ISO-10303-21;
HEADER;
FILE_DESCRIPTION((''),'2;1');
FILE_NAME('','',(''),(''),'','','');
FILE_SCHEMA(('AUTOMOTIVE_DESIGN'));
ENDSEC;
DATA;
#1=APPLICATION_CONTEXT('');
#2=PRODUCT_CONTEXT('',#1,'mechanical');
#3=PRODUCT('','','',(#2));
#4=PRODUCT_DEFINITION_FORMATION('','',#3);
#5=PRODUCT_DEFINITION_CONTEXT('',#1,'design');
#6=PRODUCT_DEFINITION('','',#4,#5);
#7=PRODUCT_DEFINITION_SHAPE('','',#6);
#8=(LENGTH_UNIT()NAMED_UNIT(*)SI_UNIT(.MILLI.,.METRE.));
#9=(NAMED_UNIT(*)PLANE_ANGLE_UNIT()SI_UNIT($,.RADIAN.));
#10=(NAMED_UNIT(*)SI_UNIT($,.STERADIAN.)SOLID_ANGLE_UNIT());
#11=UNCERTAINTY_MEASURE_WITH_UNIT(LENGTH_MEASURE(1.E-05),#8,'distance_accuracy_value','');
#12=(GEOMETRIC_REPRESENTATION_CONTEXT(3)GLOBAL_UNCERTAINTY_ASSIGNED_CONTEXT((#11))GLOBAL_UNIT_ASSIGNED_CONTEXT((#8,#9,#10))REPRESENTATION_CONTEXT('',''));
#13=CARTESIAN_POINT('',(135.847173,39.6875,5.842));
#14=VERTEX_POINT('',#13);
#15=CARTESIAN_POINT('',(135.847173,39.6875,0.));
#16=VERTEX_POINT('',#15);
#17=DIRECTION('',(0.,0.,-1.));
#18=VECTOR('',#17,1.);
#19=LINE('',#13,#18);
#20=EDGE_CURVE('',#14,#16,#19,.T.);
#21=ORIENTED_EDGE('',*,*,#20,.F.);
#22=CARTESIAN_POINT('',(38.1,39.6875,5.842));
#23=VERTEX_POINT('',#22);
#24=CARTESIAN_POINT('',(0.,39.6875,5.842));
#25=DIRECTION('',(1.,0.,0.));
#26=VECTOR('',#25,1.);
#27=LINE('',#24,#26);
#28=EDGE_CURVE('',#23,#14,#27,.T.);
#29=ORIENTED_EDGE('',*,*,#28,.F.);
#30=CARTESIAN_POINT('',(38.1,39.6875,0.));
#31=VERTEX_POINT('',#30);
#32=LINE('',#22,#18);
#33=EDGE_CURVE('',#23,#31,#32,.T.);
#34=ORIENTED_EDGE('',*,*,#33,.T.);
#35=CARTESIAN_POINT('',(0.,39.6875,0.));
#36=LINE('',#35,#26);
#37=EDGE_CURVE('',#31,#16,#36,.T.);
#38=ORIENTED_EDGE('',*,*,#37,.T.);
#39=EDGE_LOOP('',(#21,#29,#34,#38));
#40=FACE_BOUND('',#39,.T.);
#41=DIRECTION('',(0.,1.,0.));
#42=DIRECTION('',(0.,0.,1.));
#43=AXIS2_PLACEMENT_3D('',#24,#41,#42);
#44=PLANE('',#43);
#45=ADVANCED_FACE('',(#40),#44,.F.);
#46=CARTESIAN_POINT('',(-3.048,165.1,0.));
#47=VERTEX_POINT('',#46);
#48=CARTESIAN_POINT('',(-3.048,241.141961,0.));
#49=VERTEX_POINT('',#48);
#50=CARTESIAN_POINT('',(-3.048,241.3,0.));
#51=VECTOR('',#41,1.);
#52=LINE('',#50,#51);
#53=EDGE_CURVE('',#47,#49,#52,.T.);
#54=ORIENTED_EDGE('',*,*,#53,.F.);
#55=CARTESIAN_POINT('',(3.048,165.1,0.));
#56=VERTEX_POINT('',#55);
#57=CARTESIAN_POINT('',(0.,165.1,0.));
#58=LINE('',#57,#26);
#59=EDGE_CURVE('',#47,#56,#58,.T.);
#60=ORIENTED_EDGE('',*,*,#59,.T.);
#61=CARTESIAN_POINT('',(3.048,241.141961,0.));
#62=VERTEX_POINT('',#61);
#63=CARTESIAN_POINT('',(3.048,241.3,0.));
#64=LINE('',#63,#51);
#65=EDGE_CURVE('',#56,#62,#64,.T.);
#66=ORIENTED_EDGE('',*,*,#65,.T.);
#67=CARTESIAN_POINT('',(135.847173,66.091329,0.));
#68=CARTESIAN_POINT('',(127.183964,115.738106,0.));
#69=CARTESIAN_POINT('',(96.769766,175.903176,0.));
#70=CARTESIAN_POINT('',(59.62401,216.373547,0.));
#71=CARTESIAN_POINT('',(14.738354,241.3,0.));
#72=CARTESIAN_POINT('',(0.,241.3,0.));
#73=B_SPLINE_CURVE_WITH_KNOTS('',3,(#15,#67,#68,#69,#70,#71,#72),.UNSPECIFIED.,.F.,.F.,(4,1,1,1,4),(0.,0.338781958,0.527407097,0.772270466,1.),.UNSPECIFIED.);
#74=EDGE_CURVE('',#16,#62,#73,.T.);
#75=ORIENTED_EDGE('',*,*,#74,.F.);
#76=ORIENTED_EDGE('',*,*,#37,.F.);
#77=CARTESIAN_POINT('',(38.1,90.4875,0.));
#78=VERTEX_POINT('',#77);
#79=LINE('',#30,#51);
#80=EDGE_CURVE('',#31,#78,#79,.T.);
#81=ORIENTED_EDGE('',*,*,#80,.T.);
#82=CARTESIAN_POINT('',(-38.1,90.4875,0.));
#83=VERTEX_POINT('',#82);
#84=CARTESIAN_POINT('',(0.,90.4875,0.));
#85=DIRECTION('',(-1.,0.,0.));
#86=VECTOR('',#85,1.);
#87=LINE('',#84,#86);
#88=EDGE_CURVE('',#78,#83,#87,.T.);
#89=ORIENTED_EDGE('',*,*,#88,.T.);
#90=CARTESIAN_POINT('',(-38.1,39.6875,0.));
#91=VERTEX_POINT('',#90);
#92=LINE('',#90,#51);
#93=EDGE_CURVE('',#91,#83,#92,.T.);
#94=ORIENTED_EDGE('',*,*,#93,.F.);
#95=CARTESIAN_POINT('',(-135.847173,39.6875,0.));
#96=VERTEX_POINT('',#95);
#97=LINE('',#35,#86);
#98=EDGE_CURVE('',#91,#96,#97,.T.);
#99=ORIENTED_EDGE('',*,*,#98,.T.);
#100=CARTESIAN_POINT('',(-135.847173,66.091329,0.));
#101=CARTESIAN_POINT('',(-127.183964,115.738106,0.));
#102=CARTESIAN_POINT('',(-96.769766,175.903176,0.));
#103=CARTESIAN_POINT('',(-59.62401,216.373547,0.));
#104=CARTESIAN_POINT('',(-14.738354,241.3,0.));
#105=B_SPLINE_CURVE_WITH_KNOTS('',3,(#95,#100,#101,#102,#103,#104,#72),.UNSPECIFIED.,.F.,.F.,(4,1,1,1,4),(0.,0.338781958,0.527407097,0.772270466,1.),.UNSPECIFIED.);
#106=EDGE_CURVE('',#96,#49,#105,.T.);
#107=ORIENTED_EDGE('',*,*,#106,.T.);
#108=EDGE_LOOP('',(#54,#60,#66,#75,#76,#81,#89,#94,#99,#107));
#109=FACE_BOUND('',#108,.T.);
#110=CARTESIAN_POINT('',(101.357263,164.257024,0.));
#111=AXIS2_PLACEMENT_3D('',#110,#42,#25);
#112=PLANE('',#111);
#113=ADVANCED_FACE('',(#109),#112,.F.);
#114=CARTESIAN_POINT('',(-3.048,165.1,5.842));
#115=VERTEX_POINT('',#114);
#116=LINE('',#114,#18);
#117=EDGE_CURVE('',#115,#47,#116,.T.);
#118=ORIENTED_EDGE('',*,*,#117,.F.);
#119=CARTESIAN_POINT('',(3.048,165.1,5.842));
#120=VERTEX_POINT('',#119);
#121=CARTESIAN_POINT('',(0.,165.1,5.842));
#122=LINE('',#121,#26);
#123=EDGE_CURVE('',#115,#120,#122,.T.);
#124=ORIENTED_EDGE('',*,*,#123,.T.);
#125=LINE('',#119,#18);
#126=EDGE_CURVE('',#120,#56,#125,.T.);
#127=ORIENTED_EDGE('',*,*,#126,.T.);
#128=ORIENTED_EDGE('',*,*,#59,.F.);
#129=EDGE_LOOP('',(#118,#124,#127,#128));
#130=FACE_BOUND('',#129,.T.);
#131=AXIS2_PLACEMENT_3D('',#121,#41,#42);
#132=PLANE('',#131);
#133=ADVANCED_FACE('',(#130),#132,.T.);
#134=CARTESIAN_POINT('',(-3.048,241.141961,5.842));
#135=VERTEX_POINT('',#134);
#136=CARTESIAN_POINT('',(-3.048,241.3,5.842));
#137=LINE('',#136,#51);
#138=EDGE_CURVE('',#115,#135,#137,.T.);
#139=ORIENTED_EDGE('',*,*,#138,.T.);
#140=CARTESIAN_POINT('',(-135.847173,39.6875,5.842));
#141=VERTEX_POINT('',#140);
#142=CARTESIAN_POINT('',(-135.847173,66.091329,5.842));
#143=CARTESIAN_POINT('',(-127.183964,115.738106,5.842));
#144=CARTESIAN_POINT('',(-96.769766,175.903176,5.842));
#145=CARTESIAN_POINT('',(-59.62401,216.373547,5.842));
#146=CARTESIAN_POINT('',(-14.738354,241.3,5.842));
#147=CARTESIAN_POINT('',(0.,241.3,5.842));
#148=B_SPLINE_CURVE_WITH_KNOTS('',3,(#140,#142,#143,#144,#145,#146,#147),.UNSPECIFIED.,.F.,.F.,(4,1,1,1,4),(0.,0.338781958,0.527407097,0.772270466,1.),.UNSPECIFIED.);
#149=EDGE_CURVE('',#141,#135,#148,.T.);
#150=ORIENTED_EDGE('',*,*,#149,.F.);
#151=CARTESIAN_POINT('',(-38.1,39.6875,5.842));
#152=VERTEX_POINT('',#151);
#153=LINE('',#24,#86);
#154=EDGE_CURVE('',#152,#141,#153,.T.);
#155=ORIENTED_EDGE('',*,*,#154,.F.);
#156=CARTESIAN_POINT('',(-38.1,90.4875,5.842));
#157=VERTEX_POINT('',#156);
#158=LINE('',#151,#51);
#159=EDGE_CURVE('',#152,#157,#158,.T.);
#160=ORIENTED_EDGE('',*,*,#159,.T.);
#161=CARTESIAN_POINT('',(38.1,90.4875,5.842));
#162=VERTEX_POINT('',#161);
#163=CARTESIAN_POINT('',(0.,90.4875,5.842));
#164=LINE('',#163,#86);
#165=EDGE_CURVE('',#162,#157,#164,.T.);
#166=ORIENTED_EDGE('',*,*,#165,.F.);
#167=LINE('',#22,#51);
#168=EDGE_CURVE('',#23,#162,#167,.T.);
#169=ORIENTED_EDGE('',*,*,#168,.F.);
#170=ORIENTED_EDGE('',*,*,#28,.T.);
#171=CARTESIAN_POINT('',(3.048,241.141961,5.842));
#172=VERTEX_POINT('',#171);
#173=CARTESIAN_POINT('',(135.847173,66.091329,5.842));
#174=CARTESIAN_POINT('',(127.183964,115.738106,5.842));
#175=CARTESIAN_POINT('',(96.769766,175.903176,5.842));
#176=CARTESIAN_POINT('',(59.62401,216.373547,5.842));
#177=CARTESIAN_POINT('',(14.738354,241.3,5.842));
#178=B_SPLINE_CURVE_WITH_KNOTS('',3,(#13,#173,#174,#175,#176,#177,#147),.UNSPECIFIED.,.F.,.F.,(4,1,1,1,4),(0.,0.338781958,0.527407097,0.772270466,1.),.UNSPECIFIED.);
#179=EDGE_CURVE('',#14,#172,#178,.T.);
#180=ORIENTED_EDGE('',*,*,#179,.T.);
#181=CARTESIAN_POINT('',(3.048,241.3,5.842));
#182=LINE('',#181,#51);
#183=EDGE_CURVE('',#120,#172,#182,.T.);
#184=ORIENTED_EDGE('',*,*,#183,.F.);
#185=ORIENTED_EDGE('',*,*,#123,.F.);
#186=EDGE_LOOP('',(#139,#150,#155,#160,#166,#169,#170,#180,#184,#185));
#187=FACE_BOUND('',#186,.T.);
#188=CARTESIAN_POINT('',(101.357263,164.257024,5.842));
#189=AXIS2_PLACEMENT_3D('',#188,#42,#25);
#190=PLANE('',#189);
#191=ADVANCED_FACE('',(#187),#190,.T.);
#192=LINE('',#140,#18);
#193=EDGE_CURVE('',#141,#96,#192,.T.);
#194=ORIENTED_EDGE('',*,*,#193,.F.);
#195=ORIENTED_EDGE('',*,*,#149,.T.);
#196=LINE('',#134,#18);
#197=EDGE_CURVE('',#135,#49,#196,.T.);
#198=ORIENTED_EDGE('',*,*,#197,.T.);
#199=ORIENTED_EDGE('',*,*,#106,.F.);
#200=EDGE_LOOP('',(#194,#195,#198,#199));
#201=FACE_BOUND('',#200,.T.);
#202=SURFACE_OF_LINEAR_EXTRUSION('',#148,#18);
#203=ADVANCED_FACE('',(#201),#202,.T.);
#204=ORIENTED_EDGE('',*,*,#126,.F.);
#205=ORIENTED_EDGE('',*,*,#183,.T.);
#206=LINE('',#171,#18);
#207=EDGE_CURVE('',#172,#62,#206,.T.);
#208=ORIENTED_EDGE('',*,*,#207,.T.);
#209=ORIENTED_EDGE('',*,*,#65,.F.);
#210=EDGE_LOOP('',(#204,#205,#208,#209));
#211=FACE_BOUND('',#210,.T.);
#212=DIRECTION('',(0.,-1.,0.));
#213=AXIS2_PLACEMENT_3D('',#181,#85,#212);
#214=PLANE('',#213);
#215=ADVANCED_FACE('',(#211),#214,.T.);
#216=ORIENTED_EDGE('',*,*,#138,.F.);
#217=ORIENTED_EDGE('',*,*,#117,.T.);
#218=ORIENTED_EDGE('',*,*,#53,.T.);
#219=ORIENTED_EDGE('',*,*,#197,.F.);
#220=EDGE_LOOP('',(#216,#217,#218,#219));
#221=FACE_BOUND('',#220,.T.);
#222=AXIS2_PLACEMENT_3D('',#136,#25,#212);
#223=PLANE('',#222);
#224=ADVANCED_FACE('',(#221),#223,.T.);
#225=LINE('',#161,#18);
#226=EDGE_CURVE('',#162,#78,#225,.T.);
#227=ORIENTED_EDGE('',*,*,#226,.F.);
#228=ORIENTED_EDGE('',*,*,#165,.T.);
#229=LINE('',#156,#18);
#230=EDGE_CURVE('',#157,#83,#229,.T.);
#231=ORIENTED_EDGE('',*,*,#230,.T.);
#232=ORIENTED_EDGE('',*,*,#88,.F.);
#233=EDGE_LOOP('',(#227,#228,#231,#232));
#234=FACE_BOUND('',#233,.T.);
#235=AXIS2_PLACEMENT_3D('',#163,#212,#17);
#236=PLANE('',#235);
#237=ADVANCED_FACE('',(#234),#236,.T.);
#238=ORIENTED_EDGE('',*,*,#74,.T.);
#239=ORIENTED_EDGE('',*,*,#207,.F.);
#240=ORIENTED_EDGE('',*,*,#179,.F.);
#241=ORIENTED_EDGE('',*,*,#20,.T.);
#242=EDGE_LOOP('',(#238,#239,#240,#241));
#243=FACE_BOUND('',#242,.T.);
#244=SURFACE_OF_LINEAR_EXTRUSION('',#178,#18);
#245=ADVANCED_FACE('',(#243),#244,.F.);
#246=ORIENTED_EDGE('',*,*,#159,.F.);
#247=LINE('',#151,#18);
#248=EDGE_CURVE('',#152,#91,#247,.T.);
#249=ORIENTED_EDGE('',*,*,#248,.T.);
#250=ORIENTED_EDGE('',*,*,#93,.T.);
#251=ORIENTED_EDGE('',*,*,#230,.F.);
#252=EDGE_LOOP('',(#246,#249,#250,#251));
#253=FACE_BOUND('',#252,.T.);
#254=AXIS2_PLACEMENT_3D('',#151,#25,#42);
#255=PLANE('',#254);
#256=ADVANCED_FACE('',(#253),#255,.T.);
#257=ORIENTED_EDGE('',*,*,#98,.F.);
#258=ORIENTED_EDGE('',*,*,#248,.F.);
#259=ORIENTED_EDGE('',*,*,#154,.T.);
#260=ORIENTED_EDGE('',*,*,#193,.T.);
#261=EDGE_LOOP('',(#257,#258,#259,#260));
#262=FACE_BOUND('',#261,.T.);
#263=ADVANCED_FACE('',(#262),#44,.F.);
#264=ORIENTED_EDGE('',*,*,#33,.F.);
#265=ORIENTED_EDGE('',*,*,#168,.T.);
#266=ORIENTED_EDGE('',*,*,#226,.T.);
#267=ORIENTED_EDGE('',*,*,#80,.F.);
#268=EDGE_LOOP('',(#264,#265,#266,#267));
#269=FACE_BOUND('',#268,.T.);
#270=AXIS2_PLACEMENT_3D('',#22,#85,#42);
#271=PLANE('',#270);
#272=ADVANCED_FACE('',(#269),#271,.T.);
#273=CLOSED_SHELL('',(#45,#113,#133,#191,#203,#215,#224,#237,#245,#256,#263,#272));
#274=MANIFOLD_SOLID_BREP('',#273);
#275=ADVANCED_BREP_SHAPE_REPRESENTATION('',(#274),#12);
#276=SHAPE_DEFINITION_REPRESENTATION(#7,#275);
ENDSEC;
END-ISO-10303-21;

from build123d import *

# Parameters (mm, degrees)
BOSS_EXTRUDE1_DEPTH = 5.842
SKETCH4_W           = 38.1
SKETCH4_H           = 50.8
SKETCH4_W_2         = 3.048
SKETCH4_H_2         = 76.2
CUT_EXTRUDE2_DEPTH  = 277.973416612


with BuildPart() as part:
    # Sketch3 → Boss-Extrude1 (new body)
    with BuildSketch(Plane.XY):
        with BuildLine():
            Line((0, 241.3), (0, 39.6875))
            Line((0, 39.6875), (135.847173209, 39.6875))
            add(Edge.make_bspline(
                [(0, 241.3), (14.73835438, 241.3), (59.624010151, 216.373546587), (96.769766419, 175.903175742), (127.183964056, 115.738105555), (135.847173209, 66.091328973), (135.847173209, 39.6875)],
                knots=[0, 0, 0, 0, 0.227729534, 0.472592903, 0.661218042, 1, 1, 1, 1], degree=3))
        make_face()
    extrude(amount=BOSS_EXTRUDE1_DEPTH)

    # Sketch4 → Cut-Extrude2 (cut, through all)
    with BuildSketch(Plane.XY):
        with Locations((19.05, 65.0875)):
            Rectangle(SKETCH4_W, SKETCH4_H)
        with Locations((1.524, 203.2)):
            Rectangle(SKETCH4_W_2, SKETCH4_H_2)
    extrude(amount=CUT_EXTRUDE2_DEPTH, mode=Mode.SUBTRACT)

    # Mirror2: part across plane


with BuildPart() as part_1:
    add(part.part)
    add(part.part.mirror(Plane(origin=(0, 0, 0), x_dir=(0, 0, 1), z_dir=(1, 0, 0))))


solid = part_1.part
